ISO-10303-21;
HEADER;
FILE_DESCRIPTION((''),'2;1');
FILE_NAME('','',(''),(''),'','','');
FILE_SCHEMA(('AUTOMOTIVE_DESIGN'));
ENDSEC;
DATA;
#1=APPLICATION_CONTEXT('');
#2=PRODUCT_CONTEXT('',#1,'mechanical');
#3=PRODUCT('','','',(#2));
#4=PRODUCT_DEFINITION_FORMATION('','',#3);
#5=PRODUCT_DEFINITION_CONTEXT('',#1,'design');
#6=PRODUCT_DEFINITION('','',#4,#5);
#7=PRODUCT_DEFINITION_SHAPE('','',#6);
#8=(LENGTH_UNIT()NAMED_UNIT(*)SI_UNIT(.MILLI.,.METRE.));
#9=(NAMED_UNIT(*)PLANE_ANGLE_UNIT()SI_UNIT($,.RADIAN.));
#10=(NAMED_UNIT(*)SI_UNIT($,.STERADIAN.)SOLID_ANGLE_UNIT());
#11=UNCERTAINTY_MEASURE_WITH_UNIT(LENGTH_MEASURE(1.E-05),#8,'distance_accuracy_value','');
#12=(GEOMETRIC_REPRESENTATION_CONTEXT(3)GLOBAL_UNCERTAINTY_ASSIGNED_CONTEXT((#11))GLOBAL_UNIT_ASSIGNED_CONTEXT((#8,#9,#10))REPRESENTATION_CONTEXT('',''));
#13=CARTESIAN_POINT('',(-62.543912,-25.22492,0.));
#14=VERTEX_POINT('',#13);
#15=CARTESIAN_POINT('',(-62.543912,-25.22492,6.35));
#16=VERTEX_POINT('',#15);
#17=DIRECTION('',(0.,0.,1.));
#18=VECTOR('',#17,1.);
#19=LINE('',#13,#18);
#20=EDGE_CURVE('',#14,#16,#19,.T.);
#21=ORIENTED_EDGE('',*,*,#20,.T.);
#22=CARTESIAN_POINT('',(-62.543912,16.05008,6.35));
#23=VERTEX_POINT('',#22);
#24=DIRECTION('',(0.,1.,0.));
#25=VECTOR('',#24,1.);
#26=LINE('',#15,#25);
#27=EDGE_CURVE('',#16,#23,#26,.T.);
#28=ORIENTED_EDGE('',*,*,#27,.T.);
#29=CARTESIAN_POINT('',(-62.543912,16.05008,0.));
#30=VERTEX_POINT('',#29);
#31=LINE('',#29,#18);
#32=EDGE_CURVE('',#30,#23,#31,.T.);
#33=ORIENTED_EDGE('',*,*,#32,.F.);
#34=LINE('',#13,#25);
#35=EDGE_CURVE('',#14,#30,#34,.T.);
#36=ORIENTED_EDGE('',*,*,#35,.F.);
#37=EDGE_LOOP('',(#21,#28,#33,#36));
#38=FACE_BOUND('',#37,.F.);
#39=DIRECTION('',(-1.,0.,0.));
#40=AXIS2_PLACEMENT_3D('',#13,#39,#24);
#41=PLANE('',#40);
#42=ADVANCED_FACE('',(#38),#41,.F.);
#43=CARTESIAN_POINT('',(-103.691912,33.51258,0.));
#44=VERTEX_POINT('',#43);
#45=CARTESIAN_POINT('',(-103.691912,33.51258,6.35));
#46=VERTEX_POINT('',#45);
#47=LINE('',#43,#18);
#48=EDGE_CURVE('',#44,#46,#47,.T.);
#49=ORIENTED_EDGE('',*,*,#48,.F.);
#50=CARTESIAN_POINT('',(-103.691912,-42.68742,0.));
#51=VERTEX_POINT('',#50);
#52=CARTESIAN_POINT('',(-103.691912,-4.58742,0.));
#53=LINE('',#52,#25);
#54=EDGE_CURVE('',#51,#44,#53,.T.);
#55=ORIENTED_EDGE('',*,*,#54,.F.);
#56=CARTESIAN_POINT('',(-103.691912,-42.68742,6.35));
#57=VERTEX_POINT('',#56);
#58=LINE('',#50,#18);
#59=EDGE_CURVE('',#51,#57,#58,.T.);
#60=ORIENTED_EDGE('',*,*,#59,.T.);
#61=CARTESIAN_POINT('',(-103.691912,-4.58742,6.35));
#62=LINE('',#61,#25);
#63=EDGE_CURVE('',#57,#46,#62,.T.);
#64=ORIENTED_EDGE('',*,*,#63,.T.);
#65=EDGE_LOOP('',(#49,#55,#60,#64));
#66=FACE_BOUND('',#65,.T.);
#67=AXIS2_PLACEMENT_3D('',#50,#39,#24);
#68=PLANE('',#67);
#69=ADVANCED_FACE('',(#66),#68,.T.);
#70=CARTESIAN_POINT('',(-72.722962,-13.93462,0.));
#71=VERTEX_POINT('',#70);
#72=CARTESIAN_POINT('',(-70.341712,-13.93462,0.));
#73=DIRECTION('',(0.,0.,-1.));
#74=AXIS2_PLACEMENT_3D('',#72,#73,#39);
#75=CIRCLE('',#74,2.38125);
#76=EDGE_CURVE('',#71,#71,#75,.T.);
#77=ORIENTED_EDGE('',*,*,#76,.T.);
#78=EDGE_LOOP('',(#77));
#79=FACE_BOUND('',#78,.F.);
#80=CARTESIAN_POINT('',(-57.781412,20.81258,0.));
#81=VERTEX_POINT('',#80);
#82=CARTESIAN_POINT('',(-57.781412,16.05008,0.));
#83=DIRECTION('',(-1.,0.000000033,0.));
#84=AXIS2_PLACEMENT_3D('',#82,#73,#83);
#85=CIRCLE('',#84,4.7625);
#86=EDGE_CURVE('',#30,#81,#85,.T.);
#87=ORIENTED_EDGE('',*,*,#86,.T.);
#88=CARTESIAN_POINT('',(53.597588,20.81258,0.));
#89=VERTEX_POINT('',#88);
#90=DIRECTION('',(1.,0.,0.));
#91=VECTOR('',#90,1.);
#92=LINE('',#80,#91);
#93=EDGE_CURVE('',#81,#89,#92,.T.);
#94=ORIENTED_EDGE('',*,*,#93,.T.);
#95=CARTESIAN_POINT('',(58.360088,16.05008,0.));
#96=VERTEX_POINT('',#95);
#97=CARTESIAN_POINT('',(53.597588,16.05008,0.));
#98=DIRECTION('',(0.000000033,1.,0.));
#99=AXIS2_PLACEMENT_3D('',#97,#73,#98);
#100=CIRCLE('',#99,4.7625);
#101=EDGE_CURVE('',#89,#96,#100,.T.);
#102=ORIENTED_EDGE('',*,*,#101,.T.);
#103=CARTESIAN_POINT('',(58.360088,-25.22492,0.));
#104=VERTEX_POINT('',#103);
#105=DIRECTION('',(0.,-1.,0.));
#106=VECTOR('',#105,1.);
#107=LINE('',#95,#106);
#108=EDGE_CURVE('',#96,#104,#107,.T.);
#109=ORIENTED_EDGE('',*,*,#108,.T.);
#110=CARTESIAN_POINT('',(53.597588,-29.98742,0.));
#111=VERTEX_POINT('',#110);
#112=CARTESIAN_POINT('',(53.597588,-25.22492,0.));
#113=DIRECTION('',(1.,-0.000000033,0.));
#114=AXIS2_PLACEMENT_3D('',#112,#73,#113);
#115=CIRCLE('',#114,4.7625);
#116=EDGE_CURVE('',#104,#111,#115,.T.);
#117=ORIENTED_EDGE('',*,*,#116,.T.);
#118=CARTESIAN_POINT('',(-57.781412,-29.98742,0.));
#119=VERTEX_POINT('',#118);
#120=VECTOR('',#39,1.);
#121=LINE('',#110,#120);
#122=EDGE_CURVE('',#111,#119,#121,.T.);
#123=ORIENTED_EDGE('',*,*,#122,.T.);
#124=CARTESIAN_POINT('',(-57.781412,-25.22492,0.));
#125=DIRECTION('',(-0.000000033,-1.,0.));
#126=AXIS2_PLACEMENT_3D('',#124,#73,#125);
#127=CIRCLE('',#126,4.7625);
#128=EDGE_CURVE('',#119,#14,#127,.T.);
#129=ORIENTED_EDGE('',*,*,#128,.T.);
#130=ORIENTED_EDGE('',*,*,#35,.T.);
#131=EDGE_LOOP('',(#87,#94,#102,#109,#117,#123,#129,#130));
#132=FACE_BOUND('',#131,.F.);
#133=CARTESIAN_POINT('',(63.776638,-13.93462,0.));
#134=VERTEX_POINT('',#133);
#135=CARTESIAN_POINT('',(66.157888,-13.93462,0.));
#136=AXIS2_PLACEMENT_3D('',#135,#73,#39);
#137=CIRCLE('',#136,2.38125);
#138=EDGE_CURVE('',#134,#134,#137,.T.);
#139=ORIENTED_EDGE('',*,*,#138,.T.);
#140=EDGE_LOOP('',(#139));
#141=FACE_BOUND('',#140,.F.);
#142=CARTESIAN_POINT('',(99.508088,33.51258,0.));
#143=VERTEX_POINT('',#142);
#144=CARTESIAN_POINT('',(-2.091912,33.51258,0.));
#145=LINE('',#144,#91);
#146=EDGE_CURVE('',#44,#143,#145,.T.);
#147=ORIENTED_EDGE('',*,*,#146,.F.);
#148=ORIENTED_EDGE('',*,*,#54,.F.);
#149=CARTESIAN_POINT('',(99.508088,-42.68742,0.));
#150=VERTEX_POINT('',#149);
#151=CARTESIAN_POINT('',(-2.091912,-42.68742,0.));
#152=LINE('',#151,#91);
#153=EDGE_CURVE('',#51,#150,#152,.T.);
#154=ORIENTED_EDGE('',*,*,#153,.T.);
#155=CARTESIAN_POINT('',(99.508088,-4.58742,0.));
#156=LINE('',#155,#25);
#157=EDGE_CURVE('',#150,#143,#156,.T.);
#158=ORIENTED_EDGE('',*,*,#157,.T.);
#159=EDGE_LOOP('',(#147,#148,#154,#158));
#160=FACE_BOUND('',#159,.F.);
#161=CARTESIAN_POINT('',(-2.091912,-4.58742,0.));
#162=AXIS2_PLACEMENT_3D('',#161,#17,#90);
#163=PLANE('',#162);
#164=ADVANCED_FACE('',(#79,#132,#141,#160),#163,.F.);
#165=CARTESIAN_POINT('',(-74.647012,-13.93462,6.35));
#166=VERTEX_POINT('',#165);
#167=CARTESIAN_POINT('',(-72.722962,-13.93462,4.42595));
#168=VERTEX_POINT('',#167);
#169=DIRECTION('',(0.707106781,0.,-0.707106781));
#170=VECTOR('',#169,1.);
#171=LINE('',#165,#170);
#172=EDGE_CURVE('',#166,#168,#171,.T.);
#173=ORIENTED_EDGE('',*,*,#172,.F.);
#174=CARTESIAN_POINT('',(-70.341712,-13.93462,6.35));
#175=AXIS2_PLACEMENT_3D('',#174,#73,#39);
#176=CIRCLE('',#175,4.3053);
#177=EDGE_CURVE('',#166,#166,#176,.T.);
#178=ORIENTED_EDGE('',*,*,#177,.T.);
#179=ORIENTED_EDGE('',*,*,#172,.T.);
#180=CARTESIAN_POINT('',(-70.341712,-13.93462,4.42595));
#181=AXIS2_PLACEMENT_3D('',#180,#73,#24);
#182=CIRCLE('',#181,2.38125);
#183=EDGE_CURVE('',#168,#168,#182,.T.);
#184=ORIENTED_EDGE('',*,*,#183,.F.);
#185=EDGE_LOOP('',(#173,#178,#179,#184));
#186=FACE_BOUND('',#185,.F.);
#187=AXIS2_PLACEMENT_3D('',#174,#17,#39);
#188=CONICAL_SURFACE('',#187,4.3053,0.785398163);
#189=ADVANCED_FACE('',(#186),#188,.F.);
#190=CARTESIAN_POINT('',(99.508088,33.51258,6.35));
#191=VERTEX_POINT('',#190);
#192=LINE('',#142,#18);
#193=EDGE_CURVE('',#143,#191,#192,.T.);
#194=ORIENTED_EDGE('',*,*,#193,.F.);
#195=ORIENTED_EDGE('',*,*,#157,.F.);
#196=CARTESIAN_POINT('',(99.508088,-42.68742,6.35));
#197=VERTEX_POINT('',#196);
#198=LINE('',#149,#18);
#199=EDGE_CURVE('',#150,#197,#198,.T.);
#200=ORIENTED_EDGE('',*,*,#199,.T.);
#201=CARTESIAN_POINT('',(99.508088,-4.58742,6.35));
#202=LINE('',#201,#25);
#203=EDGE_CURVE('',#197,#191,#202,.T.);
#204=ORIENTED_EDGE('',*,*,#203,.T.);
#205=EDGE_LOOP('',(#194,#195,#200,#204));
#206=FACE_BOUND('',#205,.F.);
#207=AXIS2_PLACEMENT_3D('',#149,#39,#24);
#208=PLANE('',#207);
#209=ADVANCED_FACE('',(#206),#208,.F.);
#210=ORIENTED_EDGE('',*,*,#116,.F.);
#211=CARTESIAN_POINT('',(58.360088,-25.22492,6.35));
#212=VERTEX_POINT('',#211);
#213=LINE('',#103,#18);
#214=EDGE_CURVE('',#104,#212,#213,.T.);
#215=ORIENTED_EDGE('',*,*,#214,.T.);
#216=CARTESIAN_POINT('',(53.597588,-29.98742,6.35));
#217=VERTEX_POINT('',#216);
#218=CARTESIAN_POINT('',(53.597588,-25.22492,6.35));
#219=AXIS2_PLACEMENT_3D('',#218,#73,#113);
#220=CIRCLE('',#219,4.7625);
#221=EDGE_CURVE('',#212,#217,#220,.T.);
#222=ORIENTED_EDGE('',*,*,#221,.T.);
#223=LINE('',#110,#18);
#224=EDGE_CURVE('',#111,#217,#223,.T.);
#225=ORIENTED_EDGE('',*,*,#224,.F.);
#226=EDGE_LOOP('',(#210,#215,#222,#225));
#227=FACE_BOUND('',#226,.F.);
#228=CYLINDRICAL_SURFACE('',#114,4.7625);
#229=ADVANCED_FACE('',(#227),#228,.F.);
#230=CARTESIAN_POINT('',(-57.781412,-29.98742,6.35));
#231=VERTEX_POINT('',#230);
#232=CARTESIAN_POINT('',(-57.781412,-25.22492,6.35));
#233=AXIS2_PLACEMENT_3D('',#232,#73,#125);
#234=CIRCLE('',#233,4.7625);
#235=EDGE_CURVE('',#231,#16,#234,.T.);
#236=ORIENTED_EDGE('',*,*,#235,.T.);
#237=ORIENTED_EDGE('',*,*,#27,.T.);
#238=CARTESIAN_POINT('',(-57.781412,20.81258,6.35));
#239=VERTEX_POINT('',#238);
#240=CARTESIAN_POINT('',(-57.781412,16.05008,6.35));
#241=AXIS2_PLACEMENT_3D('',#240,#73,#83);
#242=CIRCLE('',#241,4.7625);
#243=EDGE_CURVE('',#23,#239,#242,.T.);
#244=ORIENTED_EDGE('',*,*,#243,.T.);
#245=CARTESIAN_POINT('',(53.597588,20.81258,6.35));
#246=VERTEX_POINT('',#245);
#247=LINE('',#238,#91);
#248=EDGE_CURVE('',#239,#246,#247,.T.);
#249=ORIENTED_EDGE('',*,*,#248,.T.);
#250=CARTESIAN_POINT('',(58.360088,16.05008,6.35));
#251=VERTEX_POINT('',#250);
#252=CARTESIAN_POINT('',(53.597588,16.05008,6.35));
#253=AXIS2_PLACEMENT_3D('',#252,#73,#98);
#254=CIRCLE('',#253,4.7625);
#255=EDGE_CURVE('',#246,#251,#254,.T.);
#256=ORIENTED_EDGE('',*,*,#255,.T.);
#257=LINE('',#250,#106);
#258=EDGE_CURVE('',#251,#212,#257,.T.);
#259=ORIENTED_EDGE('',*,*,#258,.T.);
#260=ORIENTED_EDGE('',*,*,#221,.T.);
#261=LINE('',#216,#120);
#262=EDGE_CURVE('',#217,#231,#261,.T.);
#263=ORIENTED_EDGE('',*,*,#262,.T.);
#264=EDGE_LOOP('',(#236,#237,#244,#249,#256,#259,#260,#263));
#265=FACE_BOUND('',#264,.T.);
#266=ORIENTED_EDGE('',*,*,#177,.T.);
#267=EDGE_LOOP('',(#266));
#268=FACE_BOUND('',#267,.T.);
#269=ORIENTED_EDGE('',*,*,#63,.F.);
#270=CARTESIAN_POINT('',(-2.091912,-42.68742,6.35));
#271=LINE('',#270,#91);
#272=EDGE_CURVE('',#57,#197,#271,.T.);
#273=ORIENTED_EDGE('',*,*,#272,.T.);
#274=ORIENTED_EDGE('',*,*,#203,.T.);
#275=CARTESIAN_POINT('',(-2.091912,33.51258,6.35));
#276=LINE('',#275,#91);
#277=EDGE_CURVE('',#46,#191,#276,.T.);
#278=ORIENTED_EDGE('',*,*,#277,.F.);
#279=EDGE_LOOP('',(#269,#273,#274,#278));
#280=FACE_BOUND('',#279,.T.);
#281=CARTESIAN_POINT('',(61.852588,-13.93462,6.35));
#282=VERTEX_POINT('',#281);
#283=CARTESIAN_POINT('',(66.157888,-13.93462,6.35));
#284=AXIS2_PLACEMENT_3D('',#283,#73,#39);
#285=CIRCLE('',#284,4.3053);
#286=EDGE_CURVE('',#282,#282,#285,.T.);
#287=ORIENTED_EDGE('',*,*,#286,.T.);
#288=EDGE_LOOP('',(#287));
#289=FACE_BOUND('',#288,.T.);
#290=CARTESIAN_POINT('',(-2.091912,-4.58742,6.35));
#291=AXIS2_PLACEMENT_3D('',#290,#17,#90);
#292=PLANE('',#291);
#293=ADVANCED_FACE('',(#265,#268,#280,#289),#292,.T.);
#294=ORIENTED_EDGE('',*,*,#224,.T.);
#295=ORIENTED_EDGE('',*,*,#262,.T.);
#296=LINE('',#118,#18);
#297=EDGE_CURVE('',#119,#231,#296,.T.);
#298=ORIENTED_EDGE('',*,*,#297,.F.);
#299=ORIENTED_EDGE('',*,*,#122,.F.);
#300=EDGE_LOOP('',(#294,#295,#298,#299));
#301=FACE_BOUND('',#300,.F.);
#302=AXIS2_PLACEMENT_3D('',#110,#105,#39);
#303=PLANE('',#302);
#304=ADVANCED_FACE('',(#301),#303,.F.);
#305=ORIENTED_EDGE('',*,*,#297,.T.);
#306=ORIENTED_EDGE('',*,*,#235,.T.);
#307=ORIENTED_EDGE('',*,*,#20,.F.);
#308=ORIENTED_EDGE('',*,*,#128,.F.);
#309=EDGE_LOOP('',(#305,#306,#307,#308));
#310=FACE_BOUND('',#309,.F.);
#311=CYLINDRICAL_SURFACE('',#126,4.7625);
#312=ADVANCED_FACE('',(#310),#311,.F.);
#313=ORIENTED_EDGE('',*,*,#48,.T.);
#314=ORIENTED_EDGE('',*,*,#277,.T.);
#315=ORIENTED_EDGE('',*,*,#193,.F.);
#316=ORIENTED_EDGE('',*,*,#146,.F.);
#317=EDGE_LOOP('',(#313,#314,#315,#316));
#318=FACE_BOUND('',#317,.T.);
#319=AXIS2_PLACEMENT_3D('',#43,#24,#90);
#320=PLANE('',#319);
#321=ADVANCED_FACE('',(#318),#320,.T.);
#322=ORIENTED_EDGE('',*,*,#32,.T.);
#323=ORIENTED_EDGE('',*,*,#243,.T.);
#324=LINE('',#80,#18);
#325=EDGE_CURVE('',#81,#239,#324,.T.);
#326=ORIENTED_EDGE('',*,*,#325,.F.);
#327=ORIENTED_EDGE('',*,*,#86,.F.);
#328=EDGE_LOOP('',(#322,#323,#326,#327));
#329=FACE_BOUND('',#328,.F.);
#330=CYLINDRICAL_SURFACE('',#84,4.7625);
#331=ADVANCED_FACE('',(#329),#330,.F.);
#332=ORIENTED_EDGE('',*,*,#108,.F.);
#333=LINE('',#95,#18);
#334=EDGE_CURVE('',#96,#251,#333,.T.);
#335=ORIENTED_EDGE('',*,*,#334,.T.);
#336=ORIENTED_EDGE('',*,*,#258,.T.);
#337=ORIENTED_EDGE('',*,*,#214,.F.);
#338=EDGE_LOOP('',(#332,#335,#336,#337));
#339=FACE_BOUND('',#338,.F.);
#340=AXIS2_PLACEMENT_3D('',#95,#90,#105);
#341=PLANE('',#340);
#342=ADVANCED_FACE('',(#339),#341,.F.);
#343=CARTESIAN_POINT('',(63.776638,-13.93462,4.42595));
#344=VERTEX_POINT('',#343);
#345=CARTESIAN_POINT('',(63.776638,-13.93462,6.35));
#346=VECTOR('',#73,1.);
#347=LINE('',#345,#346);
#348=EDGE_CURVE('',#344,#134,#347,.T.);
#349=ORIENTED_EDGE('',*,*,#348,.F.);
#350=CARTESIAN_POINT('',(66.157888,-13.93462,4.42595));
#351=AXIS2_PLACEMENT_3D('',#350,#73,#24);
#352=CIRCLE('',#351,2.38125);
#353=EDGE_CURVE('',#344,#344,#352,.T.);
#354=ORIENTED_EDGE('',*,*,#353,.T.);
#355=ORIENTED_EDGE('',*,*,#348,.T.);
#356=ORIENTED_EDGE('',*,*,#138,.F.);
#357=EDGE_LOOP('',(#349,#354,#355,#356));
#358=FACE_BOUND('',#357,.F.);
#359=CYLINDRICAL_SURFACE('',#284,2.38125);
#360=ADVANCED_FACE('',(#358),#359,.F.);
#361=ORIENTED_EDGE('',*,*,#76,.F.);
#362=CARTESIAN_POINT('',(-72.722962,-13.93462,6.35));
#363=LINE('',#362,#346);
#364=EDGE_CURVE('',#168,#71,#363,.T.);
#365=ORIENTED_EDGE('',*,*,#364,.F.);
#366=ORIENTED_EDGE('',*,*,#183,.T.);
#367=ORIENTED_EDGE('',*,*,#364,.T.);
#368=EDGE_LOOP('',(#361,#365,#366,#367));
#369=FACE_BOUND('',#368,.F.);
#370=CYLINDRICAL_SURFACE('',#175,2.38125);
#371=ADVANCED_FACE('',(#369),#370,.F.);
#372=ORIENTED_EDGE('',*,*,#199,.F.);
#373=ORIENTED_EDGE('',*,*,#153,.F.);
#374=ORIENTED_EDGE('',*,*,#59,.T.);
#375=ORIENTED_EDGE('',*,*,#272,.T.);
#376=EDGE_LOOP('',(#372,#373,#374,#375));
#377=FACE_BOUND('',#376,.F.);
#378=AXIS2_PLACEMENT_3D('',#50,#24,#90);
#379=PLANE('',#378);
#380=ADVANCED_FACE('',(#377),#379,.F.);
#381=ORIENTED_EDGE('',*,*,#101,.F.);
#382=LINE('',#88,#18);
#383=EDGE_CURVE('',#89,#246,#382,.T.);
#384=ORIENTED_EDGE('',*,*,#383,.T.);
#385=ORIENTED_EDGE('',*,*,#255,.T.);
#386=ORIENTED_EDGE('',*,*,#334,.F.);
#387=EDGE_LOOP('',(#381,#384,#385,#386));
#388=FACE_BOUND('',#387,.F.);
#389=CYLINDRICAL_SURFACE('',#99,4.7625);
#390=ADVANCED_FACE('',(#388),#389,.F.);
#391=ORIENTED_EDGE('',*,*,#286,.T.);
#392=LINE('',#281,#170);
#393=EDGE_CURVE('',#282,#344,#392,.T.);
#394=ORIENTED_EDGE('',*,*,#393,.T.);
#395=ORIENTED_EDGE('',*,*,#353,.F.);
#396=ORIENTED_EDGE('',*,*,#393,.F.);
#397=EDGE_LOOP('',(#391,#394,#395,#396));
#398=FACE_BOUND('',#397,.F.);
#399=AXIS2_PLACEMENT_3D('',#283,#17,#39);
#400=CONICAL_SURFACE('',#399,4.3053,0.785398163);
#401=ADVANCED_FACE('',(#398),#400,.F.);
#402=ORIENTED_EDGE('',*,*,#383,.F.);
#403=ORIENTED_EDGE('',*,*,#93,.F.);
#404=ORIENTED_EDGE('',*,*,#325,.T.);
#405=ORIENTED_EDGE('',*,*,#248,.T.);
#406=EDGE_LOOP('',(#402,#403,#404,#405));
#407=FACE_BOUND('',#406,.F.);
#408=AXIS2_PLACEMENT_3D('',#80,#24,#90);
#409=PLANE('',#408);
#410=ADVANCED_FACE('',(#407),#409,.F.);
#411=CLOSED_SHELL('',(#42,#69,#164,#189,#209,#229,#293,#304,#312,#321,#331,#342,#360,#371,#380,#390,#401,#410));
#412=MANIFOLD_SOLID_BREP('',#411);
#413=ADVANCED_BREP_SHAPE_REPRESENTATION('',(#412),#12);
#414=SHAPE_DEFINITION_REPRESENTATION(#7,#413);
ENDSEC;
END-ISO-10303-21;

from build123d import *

# Parameters (mm, degrees)
F0_W           = 203.2
F0_H           = 76.2
F1_DEPTH       = 6.35
F4_D           = 4.7625
F4_CSINK_D     = 8.6106
F4_CSINK_ANGLE = 90


with BuildPart() as f1:
    # F0 (on Top) → F1 (new body)
    with BuildSketch(Plane.XY):
        with Locations((-2.091912, -4.58742)):
            Rectangle(F0_W, F0_H)
        with BuildLine():
            ThreePointArc((-62.543912, 16.05008), (-61.149008, 19.417676), (-57.781412, 20.81258))
            Line((-57.781412, 20.81258), (53.597588, 20.81258))
            ThreePointArc((53.597588, 20.81258), (56.965184, 19.417676), (58.360088, 16.05008))
            Line((58.360088, 16.05008), (58.360088, -25.22492))
            ThreePointArc((58.360088, -25.22492), (56.965184, -28.592516), (53.597588, -29.98742))
            Line((53.597588, -29.98742), (-57.781412, -29.98742))
            ThreePointArc((-57.781412, -29.98742), (-61.149008, -28.592516), (-62.543912, -25.22492))
            Line((-62.543912, -25.22492), (-62.543912, 16.05008))
        make_face(mode=Mode.SUBTRACT)
    extrude(amount=F1_DEPTH)

    # F4 (through all)
    with Locations(Plane.XY.offset(6.35)):
        with Locations((-70.341712, -13.93462), (66.157888, -13.93462)):
            CounterSinkHole(F4_D / 2, F4_CSINK_D / 2, counter_sink_angle=F4_CSINK_ANGLE)


solid = f1.part
